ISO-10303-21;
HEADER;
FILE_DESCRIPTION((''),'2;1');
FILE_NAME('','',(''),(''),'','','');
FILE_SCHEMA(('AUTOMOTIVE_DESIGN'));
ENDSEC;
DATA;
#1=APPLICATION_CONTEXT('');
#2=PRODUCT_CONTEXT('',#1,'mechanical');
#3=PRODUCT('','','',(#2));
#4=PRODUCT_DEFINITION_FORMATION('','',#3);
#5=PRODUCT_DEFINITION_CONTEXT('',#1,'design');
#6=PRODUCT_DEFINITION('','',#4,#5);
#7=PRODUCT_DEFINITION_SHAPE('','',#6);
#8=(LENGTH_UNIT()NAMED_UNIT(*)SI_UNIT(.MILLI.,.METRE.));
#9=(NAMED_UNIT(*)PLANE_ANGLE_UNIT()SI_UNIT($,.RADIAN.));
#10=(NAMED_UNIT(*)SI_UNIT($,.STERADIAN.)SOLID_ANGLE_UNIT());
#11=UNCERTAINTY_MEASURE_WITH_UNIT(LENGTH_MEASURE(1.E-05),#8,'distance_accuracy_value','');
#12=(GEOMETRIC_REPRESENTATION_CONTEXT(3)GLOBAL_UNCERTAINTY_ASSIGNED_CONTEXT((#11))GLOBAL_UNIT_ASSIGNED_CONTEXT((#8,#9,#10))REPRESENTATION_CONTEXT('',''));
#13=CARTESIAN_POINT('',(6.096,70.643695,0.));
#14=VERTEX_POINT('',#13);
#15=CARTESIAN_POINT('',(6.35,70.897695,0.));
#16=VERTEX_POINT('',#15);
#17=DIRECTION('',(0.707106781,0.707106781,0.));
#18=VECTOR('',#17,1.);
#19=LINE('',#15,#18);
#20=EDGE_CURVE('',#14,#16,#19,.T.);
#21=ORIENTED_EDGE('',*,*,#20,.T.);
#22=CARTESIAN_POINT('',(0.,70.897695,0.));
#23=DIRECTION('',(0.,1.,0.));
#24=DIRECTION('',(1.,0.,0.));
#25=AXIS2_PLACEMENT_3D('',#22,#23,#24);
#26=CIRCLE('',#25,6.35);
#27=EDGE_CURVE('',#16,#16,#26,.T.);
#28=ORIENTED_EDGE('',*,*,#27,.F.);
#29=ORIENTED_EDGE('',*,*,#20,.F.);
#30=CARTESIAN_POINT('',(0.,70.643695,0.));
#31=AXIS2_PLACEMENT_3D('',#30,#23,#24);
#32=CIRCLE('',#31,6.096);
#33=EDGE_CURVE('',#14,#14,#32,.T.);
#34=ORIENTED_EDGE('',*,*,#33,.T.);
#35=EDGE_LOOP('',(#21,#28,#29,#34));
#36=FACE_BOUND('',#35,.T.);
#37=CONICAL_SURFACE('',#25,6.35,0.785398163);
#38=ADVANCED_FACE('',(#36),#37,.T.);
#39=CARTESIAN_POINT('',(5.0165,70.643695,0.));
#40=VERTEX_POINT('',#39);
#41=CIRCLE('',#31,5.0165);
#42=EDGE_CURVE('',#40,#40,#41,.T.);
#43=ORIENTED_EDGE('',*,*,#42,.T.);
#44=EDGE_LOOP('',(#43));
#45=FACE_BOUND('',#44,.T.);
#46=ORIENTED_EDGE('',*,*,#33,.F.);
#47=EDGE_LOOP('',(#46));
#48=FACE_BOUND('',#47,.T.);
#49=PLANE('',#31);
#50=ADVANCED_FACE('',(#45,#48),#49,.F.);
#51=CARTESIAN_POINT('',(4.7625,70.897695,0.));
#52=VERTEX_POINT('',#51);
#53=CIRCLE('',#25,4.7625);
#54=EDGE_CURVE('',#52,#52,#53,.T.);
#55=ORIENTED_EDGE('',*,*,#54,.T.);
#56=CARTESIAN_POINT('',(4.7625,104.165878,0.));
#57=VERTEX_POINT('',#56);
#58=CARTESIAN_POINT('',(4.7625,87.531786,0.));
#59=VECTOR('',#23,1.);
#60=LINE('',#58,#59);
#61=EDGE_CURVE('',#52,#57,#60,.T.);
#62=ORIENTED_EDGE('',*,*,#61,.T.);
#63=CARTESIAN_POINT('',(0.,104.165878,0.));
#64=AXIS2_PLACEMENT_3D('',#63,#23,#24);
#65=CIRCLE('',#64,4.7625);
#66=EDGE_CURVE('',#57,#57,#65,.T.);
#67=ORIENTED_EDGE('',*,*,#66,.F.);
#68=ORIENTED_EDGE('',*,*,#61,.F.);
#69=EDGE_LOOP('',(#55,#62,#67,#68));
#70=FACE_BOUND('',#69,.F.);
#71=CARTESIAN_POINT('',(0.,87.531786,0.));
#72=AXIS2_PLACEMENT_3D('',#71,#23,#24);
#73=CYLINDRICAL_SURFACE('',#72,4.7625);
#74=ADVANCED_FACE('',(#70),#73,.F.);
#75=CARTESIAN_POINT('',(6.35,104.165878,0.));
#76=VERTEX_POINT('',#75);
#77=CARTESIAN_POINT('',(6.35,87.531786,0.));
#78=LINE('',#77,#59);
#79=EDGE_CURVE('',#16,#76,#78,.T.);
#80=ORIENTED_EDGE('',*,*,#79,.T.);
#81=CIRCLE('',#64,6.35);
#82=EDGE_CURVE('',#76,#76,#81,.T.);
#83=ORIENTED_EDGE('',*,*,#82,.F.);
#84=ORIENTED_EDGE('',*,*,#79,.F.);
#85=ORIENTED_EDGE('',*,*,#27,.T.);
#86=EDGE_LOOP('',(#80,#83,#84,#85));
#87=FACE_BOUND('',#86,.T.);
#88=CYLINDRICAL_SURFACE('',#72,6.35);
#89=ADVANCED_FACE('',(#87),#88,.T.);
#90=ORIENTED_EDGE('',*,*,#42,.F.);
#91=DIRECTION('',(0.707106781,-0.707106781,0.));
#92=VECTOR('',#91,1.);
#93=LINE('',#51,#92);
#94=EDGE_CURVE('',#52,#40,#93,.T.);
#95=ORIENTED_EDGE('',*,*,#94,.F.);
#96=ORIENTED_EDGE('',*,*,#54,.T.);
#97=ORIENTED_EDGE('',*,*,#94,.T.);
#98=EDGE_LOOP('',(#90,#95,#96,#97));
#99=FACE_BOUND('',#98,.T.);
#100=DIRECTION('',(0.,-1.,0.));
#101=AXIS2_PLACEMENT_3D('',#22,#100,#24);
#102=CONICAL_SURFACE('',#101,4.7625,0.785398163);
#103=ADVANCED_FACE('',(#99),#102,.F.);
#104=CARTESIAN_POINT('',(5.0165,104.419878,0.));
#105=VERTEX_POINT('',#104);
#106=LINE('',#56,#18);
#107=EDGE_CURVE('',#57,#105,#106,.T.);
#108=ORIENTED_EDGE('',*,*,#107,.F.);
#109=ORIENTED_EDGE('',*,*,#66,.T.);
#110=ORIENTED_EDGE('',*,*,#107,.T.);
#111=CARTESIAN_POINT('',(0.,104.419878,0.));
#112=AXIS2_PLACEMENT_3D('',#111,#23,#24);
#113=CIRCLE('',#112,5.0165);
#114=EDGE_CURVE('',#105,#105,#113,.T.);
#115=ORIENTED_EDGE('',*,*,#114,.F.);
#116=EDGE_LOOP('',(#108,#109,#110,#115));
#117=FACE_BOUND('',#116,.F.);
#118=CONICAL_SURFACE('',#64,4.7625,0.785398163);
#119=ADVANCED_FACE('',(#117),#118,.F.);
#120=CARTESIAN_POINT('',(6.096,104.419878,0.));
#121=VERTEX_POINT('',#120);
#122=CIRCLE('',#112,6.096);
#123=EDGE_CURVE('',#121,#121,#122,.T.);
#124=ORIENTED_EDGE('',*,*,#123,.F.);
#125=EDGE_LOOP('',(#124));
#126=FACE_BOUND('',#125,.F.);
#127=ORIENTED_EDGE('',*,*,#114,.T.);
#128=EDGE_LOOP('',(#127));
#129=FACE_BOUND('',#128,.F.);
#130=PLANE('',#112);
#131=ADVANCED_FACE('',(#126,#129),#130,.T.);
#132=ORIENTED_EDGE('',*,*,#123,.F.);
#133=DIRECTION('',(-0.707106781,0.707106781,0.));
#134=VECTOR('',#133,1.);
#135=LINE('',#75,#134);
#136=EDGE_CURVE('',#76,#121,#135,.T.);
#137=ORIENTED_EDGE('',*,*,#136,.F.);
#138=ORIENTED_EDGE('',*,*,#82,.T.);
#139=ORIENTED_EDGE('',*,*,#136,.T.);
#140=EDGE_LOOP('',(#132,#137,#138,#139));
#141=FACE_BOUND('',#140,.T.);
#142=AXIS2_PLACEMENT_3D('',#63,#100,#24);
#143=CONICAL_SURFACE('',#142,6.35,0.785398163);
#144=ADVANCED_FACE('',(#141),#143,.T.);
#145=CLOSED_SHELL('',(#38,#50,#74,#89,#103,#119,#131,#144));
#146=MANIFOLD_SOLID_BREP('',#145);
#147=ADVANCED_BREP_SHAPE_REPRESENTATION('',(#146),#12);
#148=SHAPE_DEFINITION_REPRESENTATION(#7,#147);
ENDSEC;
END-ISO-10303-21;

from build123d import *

# Parameters (mm, degrees)
SKETCH1_W     = 1.5875
SKETCH1_H     = 33.776182894
CHAMFER1_SIZE = 0.254


with BuildPart() as part:
    # Sketch1 → Revolve1 (revolve)
    with BuildSketch(Plane.XY):
        with Locations((5.55625, 87.531786411)):
            Rectangle(SKETCH1_W, SKETCH1_H)
    revolve(axis=Axis((0, 61.118694964, 0), (0, 1, 0)))

    # Chamfer1
    chamfer1_edges = [part.edges().sort_by_distance(p)[0] for p in [
        (-6.350000001, 70.643694964, 0),
        (-6.350000003, 104.419877858, 0),
        (-4.762500003, 104.419877858, 0),
        (-4.762500001, 70.643694964, 0),
    ]]
    chamfer(chamfer1_edges, length=CHAMFER1_SIZE)


solid = part.part
